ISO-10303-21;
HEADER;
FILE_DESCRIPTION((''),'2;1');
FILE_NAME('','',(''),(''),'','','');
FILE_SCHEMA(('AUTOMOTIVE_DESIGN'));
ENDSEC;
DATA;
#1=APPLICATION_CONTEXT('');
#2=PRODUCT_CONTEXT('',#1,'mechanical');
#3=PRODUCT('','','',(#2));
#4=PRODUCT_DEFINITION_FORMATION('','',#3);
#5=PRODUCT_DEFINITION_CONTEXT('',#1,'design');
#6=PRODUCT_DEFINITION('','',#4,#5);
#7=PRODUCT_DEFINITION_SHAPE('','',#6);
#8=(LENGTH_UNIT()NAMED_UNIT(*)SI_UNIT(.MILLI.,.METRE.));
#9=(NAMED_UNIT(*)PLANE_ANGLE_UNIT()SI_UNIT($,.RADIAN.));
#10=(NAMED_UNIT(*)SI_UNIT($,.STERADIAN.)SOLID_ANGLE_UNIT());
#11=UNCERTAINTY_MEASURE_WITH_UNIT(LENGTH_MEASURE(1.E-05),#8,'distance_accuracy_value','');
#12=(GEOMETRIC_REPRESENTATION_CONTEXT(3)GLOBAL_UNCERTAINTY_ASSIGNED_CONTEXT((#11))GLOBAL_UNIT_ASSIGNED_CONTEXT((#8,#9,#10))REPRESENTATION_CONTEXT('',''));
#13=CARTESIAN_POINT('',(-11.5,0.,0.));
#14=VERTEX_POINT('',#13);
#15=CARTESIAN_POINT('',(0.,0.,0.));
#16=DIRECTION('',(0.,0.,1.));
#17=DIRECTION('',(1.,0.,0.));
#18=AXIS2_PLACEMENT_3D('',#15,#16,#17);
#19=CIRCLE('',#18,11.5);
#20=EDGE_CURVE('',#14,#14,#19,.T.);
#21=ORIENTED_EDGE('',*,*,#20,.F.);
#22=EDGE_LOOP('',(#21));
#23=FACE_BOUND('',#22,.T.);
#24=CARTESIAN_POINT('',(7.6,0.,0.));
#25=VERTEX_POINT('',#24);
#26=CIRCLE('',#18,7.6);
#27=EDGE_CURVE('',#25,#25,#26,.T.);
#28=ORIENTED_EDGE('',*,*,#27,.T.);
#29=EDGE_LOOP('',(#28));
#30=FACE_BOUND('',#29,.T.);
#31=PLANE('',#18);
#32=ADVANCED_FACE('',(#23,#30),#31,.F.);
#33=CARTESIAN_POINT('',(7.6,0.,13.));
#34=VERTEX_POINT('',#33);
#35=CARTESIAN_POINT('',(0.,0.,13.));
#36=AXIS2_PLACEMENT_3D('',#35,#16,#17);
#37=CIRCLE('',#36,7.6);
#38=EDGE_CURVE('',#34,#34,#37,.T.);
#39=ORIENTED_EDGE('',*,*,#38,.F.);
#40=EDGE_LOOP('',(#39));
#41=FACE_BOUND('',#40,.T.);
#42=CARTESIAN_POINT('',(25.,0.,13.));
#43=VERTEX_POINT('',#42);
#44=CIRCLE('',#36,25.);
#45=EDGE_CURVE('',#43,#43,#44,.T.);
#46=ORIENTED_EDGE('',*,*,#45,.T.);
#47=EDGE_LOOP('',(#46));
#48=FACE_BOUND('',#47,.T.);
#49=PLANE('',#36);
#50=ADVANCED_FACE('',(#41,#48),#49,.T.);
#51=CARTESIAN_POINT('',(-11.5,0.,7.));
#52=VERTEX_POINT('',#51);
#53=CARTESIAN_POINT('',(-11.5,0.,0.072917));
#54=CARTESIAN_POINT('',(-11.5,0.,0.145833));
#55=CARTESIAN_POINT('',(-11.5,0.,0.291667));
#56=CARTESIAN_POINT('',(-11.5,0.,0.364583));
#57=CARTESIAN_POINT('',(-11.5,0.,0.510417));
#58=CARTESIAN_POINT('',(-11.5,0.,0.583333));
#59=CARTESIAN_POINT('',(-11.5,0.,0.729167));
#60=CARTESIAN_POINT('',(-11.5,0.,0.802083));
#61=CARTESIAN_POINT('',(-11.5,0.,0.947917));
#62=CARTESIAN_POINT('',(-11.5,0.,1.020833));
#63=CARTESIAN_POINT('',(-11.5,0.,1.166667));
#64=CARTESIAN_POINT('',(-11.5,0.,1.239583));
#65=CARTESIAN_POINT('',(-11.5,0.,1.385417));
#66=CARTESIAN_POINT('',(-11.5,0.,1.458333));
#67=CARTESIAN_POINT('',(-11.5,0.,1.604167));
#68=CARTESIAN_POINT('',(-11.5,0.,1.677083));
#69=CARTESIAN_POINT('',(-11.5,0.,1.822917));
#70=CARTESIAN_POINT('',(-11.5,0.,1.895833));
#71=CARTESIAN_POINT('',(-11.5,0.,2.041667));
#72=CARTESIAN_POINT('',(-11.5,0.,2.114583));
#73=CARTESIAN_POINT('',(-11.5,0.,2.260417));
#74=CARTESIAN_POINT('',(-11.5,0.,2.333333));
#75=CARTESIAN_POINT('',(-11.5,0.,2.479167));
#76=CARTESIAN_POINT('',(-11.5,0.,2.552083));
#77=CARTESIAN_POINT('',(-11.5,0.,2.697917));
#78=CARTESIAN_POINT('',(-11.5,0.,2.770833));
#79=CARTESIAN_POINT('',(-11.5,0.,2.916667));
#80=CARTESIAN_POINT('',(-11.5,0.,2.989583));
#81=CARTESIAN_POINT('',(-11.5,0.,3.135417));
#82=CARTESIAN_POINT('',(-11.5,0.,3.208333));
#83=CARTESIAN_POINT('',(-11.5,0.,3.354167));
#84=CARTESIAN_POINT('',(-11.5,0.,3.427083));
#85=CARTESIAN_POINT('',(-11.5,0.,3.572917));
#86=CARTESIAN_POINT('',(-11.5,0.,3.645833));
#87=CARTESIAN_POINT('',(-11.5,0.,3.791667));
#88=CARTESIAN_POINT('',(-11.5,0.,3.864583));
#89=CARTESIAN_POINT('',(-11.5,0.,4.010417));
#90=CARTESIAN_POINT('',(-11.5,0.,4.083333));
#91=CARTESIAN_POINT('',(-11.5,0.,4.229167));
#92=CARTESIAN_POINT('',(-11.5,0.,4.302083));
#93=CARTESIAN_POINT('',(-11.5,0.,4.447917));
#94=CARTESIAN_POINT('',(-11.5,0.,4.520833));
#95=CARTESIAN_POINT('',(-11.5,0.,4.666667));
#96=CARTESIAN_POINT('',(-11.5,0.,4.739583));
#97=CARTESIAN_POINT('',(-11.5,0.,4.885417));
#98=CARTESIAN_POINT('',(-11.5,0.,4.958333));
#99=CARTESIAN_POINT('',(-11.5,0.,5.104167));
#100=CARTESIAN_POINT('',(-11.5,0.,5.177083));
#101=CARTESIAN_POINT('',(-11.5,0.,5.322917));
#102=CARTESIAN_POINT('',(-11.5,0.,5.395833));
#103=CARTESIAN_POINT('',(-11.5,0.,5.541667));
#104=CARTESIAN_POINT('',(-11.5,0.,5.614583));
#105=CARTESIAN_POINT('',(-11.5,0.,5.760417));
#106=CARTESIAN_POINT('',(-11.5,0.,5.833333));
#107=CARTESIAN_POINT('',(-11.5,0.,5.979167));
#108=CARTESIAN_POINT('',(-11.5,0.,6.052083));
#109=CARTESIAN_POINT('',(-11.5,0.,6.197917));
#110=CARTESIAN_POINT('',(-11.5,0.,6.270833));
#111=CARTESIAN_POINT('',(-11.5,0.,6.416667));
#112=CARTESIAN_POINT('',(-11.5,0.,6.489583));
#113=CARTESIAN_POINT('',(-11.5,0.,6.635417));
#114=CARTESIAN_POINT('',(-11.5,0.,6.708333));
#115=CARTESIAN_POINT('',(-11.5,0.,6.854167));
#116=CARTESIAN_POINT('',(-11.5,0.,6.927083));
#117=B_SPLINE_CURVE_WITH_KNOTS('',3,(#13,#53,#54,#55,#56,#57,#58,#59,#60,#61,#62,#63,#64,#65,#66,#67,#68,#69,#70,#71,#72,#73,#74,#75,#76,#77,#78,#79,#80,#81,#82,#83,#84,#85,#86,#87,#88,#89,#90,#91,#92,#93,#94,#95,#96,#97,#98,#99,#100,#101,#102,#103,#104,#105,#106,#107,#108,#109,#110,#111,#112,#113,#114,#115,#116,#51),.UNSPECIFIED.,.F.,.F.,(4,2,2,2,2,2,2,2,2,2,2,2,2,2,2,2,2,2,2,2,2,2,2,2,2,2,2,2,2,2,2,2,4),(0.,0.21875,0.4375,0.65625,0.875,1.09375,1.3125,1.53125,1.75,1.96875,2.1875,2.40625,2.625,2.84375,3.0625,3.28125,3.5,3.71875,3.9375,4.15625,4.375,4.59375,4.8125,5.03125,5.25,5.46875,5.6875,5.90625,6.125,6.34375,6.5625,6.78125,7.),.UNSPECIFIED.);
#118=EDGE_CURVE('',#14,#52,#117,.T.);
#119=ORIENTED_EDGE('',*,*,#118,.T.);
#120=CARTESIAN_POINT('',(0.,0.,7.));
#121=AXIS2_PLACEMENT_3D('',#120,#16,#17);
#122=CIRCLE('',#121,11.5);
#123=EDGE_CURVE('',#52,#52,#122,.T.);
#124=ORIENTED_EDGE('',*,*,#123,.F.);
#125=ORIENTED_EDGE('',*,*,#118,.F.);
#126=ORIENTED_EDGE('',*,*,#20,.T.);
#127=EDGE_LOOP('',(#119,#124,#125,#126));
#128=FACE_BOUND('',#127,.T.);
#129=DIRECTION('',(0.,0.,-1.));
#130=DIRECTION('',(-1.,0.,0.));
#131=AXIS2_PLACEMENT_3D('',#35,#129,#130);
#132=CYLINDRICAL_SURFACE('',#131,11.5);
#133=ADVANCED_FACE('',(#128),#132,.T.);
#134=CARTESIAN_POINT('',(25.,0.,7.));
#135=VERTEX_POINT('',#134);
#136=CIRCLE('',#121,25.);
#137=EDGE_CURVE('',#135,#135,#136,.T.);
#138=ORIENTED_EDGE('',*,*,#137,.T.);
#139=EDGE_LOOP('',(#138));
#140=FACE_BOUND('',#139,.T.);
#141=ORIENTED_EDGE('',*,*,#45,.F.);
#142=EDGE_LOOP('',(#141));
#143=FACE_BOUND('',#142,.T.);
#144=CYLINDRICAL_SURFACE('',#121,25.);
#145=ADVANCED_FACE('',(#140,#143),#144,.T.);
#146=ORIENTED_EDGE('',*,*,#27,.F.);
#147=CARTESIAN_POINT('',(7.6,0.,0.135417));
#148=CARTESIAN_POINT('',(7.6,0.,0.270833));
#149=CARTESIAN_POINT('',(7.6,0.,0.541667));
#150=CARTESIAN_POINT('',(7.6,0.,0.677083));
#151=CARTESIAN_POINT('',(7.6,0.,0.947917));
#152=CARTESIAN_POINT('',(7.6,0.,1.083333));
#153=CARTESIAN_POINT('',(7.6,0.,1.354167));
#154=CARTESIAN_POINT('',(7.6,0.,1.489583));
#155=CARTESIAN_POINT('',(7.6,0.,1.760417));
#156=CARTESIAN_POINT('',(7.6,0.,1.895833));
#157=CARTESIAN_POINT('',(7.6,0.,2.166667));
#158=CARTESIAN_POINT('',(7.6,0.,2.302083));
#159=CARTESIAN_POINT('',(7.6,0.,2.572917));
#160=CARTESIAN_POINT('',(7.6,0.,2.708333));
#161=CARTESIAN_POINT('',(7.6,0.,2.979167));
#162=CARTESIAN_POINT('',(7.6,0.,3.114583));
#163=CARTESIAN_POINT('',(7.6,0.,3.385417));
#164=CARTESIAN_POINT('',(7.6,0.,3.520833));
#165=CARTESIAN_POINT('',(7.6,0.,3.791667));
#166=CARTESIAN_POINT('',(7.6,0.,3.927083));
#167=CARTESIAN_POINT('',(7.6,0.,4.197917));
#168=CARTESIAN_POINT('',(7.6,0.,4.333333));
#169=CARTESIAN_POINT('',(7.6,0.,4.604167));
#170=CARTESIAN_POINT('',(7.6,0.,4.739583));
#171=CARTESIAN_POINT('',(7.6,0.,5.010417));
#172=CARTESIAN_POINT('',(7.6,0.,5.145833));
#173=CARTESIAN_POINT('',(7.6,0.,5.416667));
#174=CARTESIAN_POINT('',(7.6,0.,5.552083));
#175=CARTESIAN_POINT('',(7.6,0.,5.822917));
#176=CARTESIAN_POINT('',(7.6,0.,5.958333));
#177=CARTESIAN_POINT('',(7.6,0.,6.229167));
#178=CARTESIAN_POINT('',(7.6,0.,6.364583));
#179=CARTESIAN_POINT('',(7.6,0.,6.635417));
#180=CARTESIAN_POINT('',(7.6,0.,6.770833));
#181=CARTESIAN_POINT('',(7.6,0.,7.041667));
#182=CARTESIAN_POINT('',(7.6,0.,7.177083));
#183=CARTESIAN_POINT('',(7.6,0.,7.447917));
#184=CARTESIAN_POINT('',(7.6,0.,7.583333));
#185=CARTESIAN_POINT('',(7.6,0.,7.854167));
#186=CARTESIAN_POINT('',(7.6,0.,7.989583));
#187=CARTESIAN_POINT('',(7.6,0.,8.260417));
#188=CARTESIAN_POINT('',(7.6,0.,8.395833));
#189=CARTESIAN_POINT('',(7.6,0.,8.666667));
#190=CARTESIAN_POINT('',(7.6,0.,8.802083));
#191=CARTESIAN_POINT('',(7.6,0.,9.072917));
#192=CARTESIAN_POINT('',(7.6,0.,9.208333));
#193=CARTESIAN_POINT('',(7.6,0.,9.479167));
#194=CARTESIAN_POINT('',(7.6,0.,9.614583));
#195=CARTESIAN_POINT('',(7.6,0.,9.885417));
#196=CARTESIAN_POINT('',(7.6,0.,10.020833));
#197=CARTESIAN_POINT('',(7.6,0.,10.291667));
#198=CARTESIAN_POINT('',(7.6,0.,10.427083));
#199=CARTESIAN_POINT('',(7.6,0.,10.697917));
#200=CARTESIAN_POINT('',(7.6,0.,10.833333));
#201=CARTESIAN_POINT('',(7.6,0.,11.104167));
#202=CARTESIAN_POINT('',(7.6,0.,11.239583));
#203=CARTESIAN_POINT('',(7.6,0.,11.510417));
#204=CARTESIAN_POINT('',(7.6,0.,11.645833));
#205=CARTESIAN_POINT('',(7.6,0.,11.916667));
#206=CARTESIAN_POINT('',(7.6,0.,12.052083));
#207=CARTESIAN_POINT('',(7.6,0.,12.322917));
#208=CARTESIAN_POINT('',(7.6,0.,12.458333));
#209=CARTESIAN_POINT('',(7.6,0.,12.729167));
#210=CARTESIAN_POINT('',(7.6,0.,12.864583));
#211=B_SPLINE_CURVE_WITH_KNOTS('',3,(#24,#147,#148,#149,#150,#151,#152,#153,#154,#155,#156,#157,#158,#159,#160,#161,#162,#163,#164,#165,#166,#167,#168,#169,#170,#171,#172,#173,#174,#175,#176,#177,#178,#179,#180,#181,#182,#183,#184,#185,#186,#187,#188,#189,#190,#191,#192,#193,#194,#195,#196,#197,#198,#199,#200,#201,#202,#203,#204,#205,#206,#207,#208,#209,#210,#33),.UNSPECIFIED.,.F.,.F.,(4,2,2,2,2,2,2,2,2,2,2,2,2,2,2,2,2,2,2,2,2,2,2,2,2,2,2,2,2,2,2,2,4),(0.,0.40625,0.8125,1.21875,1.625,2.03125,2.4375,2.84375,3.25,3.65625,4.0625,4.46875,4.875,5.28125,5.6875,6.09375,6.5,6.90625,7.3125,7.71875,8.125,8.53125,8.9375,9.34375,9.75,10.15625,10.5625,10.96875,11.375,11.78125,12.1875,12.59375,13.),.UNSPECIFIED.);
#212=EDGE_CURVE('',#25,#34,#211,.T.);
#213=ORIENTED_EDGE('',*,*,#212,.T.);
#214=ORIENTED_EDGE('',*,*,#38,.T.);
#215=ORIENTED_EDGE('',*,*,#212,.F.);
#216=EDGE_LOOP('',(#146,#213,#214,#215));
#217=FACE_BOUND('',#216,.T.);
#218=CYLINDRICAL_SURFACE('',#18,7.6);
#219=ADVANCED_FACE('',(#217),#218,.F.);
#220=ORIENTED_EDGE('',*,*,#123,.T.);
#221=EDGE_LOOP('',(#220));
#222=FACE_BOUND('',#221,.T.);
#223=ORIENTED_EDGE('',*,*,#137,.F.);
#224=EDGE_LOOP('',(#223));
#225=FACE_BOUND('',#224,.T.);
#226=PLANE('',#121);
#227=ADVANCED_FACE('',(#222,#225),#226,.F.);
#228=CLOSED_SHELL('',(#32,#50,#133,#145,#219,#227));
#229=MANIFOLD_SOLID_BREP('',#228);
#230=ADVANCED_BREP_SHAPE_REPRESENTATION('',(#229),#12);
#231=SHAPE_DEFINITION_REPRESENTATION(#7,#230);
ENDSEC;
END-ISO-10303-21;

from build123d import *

# Parameters (mm, degrees)
ESQUISSE1_R             = 11.5
BOSS_EXTRU_1_DEPTH      = 13
ESQUISSE2_R             = 25
ESQUISSE2_R_2           = 7.5
BOSS_EXTRU_2_DEPTH      = 6
ESQUISSE5_R             = 7.6
ENL_V_MAT_EXTRU_1_DEPTH = 38.669616404


with BuildPart() as part:
    # Esquisse1 → Boss.-Extru.1 (new body)
    with BuildSketch(Plane.XY):
        with Locations(Location((0, 0, 0), (0, 0, 180))):
            Circle(ESQUISSE1_R)
    extrude(amount=BOSS_EXTRU_1_DEPTH)

    # Esquisse2 → Boss.-Extru.2 (add)
    with BuildSketch(Plane.XY.offset(13)):
        Circle(ESQUISSE2_R)
        Circle(ESQUISSE2_R_2, mode=Mode.SUBTRACT)
    extrude(amount=-BOSS_EXTRU_2_DEPTH)

    # Esquisse5 → Enlèv. mat.-Extru.1 (cut, through all)
    with BuildSketch(Plane.XY.offset(13)):
        Circle(ESQUISSE5_R)
    extrude(amount=-ENL_V_MAT_EXTRU_1_DEPTH, mode=Mode.SUBTRACT)


solid = part.part
